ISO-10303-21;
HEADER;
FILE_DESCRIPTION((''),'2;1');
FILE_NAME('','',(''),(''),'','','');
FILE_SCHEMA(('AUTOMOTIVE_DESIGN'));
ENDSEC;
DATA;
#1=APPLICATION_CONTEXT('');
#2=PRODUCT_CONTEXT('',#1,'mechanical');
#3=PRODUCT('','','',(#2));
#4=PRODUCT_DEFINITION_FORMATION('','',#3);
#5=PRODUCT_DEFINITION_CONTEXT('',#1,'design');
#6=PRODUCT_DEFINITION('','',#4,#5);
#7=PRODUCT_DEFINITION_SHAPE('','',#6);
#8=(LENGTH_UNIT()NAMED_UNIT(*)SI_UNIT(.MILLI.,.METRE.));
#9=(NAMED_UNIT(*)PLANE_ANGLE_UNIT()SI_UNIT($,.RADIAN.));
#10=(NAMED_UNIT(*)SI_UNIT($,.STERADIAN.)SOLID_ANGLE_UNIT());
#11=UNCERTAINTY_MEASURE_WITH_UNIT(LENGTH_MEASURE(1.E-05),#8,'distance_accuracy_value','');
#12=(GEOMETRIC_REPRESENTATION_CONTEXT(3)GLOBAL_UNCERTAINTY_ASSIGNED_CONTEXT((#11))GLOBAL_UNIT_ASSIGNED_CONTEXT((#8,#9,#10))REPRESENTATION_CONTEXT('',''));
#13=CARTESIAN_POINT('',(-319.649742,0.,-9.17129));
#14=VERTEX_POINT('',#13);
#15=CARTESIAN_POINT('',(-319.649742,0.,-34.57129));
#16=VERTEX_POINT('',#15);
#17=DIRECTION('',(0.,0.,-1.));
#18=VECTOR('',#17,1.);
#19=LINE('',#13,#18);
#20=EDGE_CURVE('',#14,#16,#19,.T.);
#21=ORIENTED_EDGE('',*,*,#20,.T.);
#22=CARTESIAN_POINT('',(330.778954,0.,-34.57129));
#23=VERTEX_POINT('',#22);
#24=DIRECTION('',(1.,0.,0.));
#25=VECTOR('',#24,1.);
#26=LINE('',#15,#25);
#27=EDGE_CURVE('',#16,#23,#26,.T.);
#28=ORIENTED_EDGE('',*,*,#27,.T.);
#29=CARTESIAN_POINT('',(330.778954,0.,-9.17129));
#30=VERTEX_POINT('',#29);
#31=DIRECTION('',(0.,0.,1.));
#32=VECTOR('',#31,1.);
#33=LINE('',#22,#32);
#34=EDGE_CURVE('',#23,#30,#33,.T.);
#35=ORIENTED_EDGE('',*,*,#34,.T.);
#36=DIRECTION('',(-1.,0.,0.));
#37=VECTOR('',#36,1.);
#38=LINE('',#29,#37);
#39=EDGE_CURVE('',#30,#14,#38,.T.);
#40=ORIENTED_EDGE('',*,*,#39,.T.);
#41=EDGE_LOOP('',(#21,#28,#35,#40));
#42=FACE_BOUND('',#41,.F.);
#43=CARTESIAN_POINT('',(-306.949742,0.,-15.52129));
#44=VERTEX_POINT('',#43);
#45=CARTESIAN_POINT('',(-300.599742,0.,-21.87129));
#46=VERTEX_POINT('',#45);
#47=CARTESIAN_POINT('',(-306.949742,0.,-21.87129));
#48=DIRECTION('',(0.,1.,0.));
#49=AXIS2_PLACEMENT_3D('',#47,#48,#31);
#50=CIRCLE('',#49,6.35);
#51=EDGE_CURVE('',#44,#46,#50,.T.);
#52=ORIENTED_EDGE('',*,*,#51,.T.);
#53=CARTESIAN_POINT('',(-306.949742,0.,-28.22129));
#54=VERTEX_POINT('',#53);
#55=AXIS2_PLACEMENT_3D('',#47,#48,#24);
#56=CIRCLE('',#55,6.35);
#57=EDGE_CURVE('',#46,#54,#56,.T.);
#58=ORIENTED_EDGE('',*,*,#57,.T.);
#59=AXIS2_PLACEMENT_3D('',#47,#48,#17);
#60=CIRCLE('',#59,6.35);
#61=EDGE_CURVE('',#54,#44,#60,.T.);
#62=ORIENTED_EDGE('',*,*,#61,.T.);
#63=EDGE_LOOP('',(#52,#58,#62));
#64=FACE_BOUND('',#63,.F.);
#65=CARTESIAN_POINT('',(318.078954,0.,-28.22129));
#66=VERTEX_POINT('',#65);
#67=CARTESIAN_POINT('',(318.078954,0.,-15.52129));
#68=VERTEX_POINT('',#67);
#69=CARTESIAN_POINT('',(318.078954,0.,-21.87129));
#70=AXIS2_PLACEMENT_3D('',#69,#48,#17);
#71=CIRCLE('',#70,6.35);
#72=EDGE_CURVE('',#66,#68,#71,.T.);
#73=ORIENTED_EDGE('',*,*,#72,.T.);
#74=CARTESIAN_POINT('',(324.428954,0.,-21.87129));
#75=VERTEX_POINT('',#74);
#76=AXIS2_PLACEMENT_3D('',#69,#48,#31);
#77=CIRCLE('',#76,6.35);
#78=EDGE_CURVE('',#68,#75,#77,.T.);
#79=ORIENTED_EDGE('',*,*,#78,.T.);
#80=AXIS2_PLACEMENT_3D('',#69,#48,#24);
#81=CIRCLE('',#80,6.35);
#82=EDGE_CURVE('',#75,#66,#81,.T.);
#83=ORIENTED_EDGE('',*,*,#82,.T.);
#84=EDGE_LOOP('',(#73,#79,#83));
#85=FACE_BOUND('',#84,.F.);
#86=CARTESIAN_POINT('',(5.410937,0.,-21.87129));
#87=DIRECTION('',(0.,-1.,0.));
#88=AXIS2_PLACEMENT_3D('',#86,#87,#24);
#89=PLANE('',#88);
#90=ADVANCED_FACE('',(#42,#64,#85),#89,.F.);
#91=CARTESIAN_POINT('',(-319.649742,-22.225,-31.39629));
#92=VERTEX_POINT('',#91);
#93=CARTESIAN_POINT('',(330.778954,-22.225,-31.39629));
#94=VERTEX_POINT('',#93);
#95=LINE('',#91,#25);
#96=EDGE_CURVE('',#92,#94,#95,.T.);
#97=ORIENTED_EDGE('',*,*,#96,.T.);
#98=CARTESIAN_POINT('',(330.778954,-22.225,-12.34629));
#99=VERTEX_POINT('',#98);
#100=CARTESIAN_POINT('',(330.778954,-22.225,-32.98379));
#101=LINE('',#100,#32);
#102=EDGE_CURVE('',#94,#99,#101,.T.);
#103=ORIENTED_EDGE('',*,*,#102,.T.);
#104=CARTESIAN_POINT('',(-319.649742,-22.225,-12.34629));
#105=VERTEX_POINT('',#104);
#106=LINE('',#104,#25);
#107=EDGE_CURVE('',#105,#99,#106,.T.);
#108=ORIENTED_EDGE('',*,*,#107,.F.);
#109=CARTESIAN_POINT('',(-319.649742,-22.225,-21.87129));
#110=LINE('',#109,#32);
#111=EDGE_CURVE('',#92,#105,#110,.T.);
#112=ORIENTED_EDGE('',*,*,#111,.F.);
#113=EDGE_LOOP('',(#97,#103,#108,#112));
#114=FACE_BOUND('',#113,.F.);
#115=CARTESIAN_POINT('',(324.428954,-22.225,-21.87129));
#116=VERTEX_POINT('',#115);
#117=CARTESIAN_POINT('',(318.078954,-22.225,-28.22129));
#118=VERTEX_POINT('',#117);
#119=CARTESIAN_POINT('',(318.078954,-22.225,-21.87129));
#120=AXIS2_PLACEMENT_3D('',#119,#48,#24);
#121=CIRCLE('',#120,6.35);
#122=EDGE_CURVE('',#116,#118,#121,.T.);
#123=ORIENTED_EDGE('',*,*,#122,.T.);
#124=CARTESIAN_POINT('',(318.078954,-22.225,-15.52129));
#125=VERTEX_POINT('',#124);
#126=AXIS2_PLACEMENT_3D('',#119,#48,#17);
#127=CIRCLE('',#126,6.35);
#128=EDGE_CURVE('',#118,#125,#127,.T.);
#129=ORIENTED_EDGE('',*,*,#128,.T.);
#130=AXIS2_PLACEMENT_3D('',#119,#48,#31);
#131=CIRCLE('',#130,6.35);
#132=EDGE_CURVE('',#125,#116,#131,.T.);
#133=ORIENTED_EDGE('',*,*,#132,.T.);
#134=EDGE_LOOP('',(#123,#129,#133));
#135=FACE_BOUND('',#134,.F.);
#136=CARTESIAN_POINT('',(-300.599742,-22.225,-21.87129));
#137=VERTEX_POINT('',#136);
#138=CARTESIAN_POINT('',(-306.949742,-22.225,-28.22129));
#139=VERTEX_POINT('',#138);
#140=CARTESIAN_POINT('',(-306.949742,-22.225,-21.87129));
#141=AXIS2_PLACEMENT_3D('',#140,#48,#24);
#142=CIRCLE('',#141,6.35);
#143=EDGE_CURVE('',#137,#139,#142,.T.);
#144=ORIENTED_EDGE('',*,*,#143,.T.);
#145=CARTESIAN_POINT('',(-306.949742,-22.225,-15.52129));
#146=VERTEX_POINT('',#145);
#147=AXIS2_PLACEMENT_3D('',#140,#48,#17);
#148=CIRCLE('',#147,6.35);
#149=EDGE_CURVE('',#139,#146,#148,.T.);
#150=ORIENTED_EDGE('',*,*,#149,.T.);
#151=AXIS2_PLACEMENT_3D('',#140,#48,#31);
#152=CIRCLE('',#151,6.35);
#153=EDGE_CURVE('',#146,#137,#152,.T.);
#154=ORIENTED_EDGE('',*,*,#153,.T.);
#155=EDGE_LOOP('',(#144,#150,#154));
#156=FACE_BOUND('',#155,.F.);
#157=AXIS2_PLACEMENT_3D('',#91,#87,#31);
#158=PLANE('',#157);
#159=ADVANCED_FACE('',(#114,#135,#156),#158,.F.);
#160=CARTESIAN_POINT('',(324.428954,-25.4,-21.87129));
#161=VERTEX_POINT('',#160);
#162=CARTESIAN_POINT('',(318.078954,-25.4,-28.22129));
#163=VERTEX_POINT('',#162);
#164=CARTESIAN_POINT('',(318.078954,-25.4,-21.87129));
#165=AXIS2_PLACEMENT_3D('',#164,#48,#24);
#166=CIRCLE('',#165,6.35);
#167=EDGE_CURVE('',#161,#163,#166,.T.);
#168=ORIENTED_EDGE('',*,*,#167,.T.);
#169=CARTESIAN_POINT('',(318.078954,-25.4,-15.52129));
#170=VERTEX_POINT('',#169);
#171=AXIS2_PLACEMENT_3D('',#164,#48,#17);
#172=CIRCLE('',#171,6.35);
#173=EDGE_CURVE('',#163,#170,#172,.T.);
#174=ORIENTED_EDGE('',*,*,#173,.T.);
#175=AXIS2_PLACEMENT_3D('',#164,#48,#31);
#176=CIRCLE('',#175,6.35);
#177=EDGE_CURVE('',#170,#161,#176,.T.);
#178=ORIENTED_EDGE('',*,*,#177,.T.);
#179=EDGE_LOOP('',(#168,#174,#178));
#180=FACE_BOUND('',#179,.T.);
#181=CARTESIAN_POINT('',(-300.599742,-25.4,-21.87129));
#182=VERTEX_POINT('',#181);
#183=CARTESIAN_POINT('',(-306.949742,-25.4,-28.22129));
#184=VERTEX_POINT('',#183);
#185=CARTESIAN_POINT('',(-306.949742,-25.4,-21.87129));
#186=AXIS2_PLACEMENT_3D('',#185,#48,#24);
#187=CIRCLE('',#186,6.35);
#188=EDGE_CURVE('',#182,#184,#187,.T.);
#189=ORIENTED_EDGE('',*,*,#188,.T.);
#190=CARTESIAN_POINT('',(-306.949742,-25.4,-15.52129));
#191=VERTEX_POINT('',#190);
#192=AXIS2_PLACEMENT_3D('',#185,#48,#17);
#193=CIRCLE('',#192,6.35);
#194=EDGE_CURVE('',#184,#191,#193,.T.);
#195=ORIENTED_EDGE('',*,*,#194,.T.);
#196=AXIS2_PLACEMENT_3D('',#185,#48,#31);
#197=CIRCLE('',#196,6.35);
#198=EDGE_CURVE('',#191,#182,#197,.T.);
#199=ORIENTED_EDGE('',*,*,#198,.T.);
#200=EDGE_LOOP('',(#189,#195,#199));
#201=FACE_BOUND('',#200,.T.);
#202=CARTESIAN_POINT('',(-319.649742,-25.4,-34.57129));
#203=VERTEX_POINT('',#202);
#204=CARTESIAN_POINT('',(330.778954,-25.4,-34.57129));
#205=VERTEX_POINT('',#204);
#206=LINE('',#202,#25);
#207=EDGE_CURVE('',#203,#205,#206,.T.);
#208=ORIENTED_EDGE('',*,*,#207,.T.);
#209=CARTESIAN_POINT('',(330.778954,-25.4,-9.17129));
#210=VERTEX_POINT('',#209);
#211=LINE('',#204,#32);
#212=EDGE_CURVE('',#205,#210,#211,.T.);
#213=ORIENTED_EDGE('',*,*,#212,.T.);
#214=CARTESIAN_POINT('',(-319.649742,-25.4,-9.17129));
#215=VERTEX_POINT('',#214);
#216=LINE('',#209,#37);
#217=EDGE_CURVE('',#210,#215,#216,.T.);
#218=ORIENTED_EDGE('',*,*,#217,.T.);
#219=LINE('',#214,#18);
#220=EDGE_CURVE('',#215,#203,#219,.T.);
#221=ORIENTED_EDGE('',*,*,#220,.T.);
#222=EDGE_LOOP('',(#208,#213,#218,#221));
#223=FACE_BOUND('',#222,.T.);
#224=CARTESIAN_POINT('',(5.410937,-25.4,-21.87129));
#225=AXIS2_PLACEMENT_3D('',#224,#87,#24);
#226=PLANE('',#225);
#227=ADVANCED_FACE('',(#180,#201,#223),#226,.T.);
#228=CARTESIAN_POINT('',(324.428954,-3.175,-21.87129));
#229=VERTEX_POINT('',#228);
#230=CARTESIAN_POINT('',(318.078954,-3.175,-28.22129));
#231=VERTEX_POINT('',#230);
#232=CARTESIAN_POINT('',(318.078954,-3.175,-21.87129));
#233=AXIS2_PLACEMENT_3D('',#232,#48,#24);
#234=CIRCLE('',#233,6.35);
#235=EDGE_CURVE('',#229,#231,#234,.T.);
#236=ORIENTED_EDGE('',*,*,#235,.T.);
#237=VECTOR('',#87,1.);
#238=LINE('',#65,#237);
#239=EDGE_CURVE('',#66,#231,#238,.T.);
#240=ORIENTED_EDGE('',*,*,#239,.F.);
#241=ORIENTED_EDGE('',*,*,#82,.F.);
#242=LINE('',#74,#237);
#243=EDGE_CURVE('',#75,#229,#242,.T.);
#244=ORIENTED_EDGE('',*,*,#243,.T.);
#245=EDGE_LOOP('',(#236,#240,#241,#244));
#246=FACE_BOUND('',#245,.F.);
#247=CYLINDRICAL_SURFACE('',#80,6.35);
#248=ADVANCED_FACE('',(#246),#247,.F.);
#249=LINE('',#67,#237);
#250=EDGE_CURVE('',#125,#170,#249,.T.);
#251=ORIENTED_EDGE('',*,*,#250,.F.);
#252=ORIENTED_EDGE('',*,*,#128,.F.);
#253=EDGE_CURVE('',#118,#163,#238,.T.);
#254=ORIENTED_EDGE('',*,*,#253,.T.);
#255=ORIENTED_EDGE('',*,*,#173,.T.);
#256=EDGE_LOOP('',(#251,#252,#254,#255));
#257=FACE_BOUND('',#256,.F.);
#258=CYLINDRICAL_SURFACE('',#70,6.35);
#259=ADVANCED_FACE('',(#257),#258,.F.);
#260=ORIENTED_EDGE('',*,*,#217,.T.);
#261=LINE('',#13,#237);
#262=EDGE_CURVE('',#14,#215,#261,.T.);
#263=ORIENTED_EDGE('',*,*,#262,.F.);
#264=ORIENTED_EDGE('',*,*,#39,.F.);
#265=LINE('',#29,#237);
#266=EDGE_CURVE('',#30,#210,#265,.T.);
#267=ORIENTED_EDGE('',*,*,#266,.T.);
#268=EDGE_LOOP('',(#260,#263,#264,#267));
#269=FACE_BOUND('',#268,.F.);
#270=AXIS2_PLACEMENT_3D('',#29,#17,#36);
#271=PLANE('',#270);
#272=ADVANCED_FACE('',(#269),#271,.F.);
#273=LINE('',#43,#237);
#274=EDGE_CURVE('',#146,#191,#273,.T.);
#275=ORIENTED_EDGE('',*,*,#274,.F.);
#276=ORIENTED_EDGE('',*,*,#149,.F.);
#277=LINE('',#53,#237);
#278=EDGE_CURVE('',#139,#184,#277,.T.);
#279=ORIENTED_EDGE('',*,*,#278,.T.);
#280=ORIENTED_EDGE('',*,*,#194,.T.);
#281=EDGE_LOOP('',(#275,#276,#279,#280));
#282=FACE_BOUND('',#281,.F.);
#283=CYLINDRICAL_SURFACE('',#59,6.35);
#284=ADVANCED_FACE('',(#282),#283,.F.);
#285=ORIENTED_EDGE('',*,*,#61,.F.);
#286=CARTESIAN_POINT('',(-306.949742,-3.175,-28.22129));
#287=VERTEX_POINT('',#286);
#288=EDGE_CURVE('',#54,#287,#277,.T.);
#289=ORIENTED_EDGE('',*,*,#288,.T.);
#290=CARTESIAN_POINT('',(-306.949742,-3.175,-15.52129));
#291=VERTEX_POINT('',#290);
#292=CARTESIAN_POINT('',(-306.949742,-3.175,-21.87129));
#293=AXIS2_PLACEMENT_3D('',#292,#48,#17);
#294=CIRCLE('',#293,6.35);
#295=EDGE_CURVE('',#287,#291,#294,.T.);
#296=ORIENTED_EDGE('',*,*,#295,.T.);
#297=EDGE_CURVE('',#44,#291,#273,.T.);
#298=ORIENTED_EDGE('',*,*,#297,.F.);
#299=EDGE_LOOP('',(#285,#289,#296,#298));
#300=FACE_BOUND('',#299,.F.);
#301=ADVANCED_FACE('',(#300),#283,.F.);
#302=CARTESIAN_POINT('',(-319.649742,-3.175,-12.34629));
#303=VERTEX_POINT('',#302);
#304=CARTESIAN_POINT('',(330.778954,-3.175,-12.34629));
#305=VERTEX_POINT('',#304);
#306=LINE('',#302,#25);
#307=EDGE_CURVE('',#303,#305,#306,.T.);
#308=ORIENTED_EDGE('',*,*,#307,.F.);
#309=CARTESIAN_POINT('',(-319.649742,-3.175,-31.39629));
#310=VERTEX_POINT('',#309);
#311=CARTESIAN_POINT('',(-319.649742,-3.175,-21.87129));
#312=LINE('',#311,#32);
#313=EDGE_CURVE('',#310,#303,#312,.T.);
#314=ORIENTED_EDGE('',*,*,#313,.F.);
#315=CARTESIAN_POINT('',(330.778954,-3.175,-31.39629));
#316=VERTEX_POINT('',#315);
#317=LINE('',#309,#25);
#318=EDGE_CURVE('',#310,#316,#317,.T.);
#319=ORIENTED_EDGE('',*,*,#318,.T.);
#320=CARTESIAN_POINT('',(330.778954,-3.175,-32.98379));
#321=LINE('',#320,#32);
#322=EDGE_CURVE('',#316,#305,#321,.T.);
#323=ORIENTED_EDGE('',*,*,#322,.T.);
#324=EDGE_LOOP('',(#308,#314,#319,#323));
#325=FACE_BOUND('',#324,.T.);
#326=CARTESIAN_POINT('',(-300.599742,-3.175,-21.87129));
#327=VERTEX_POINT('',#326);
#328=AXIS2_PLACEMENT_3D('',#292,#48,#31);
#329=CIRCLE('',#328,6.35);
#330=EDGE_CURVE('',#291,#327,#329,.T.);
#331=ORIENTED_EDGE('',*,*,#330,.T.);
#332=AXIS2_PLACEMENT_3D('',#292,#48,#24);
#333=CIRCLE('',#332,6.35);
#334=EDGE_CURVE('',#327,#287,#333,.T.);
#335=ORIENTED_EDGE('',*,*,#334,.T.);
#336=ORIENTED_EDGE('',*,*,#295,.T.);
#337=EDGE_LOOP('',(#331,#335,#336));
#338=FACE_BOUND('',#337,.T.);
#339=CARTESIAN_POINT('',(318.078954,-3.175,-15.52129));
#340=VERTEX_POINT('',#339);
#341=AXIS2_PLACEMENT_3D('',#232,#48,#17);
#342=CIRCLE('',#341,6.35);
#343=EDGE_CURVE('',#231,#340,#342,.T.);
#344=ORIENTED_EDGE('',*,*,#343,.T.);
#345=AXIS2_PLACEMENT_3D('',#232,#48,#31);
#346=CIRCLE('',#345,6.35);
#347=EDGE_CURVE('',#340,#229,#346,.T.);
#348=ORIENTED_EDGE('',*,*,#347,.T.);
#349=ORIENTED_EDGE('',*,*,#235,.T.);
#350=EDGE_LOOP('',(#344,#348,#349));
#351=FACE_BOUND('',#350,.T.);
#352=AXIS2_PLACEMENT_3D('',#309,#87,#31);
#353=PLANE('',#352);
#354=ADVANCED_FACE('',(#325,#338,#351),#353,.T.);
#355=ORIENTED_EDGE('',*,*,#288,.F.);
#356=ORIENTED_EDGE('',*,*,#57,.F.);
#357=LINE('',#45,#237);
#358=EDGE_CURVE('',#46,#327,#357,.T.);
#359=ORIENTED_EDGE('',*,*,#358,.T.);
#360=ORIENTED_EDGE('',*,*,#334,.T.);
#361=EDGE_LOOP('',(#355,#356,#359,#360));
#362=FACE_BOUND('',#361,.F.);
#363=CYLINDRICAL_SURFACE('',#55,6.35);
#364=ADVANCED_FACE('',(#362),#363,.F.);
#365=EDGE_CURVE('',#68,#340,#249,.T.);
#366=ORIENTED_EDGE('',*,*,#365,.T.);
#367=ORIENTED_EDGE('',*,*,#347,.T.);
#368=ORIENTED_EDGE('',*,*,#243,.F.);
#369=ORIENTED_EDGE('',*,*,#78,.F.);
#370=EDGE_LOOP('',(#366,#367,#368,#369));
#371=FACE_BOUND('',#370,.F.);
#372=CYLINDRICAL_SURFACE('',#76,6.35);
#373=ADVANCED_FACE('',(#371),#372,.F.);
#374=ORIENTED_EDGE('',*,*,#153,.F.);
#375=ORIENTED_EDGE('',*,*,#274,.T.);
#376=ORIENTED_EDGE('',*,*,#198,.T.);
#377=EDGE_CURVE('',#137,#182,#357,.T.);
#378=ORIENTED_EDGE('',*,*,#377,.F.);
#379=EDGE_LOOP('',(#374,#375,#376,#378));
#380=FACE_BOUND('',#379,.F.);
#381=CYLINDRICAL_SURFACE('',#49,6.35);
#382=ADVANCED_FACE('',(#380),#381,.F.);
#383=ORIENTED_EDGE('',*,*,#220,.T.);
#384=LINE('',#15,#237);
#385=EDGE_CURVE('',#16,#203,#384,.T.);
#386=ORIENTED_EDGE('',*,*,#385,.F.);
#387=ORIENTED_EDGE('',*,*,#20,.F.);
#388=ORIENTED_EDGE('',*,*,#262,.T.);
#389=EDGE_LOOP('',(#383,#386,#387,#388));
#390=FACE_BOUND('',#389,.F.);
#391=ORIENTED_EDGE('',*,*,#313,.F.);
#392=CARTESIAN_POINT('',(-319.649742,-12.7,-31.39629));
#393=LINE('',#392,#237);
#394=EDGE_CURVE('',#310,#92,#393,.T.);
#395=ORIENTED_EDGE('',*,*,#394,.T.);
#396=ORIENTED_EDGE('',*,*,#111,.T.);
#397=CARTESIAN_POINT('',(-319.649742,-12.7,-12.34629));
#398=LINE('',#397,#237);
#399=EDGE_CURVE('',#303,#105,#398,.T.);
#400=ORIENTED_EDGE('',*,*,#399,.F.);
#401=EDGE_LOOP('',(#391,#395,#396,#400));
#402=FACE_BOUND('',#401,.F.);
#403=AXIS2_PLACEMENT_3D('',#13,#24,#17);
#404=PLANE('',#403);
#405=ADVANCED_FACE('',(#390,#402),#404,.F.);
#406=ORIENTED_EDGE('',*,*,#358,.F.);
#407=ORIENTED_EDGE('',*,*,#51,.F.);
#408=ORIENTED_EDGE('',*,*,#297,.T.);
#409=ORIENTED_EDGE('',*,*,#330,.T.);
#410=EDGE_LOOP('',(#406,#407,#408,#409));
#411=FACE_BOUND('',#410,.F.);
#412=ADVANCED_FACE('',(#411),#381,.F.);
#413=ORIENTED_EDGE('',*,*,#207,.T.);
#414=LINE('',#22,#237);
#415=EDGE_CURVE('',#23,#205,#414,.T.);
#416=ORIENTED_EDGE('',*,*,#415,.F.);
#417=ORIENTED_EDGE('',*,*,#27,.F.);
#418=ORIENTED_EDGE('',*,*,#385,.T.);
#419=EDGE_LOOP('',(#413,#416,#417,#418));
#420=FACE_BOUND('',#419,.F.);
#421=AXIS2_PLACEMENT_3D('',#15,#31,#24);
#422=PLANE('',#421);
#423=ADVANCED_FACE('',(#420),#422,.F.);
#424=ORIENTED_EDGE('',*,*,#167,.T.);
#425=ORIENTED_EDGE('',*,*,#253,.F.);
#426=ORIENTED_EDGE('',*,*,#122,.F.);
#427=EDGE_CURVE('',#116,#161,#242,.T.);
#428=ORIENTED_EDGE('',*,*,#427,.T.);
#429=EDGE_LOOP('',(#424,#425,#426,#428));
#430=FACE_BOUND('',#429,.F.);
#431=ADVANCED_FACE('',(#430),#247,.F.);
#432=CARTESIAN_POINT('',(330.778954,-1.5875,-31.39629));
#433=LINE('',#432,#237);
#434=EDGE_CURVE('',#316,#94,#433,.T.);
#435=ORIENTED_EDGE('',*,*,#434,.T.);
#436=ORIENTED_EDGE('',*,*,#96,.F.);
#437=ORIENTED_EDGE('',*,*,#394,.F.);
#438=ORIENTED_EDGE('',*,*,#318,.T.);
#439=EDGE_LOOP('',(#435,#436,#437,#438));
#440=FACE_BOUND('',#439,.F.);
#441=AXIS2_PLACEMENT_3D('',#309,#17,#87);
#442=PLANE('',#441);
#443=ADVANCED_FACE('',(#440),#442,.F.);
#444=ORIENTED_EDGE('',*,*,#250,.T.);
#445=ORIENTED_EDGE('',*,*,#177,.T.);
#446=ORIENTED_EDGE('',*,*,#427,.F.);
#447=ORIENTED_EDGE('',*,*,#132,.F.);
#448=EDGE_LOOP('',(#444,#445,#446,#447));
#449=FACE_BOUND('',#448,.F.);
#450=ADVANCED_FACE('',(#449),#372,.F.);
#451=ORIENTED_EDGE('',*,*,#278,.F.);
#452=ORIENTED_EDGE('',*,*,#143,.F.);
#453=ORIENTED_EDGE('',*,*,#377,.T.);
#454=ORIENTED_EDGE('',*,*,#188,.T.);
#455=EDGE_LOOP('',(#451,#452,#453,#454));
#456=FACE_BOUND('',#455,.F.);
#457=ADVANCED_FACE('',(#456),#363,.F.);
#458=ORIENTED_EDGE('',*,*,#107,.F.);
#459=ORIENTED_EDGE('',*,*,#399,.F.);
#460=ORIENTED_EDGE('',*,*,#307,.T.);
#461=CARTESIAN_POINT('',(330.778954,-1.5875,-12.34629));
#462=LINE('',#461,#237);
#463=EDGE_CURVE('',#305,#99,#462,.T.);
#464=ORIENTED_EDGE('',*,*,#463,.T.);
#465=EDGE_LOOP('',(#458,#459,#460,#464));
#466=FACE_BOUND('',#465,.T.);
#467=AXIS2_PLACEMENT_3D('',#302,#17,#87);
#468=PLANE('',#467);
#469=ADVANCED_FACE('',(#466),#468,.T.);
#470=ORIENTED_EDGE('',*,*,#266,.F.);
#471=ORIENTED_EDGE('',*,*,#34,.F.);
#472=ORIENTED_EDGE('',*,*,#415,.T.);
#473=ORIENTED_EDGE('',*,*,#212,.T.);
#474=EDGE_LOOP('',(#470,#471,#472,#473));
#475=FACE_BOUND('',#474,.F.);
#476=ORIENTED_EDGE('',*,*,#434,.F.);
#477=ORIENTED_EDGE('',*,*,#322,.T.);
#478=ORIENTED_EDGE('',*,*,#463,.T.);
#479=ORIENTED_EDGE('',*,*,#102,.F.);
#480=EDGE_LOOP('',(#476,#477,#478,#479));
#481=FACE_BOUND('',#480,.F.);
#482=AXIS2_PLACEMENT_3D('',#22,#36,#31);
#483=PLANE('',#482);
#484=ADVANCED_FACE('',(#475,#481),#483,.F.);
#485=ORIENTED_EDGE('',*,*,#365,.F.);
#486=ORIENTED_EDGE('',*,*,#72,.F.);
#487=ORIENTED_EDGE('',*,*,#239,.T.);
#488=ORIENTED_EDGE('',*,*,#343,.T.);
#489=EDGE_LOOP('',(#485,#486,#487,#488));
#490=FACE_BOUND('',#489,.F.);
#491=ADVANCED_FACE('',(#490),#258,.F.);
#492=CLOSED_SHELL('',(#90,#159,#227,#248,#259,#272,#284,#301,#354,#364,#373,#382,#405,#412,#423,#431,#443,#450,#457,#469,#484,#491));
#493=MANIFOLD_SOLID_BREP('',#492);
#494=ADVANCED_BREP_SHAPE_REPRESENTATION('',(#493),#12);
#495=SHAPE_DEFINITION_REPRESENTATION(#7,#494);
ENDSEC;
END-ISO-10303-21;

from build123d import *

# Parameters (mm, degrees)
F1_DEPTH = 25.4
F2_W     = 19.05
F2_H     = 19.05
F3_DEPTH = 650.4296966


with BuildPart() as f1:
    # F0 (on Front) → F1 (new body)
    with BuildSketch(Plane.XZ):
        with BuildLine():
            Line((318.0789541172, -9.1712903899), (-306.9497424828, -9.1712903899))
            Line((-306.9497424828, -9.1712903899), (-306.9497424828, -15.5212903899))
            ThreePointArc((-306.9497424828, -15.5212903899), (-302.4596144223, -17.3811623294), (-300.5997424828, -21.8712903899))
            ThreePointArc((-300.5997424828, -21.8712903899), (-302.4596144223, -26.3614184504), (-306.9497424828, -28.2212903899))
            Line((-306.9497424828, -28.2212903899), (-306.9497424828, -34.5712903899))
            Line((-306.9497424828, -34.5712903899), (318.0789541172, -34.5712903899))
            Line((318.0789541172, -34.5712903899), (318.0789541172, -28.2212903899))
            ThreePointArc((318.0789541172, -28.2212903899), (311.7289541172, -21.8712903899), (318.0789541172, -15.5212903899))
            Line((318.0789541172, -15.5212903899), (318.0789541172, -9.1712903899))
        make_face()
        with BuildLine():
            Line((-306.9497424828, -15.5212903899), (-306.9497424828, -9.1712903899))
            ThreePointArc((-306.9497424828, -9.1712903899), (-315.9299986039, -12.8910342688), (-319.6497424828, -21.8712903899))
            ThreePointArc((-319.6497424828, -21.8712903899), (-315.9299986039, -30.851546511), (-306.9497424828, -34.5712903899))
            Line((-306.9497424828, -34.5712903899), (-306.9497424828, -28.2212903899))
            ThreePointArc((-306.9497424828, -28.2212903899), (-313.2997424828, -21.8712903899), (-306.9497424828, -15.5212903899))
        make_face()
        with BuildLine():
            Line((330.7789541172, -9.1712903899), (318.0789541172, -9.1712903899))
            ThreePointArc((318.0789541172, -9.1712903899), (327.0592102383, -12.8910342688), (330.7789541172, -21.8712903899))
            Line((330.7789541172, -21.8712903899), (330.7789541172, -9.1712903899))
        make_face()
        with BuildLine():
            Line((330.7789541172, -34.5712903899), (330.7789541172, -21.8712903899))
            ThreePointArc((330.7789541172, -21.8712903899), (327.0592102383, -30.851546511), (318.0789541172, -34.5712903899))
            Line((318.0789541172, -34.5712903899), (330.7789541172, -34.5712903899))
        make_face()
        with BuildLine():
            ThreePointArc((330.7789541172, -21.8712903899), (327.0592102383, -12.8910342688), (318.0789541172, -9.1712903899))
            Line((318.0789541172, -9.1712903899), (318.0789541172, -15.5212903899))
            ThreePointArc((318.0789541172, -15.5212903899), (322.5690821777, -17.3811623294), (324.4289541172, -21.8712903899))
            ThreePointArc((324.4289541172, -21.8712903899), (322.5690821777, -26.3614184504), (318.0789541172, -28.2212903899))
            Line((318.0789541172, -28.2212903899), (318.0789541172, -34.5712903899))
            ThreePointArc((318.0789541172, -34.5712903899), (327.0592102383, -30.851546511), (330.7789541172, -21.8712903899))
        make_face()
        with BuildLine():
            ThreePointArc((-319.6497424828, -21.8712903899), (-315.9299986039, -12.8910342688), (-306.9497424828, -9.1712903899))
            Line((-306.9497424828, -9.1712903899), (-319.6497424828, -9.1712903899))
            Line((-319.6497424828, -9.1712903899), (-319.6497424828, -21.8712903899))
        make_face()
        with BuildLine():
            ThreePointArc((-306.9497424828, -34.5712903899), (-315.9299986039, -30.851546511), (-319.6497424828, -21.8712903899))
            Line((-319.6497424828, -21.8712903899), (-319.6497424828, -34.5712903899))
            Line((-319.6497424828, -34.5712903899), (-306.9497424828, -34.5712903899))
        make_face()
    extrude(amount=F1_DEPTH)

    # F2 (on face) → F3 (cut, through all)
    with BuildSketch(Plane(origin=(-319.6497424828, 0, 0), x_dir=(0, -1, 0), z_dir=(-1, 0, 0))):
        with Locations((12.7, -21.8712903899)):
            Rectangle(F2_W, F2_H)
    extrude(amount=-F3_DEPTH, mode=Mode.SUBTRACT)


solid = f1.part
